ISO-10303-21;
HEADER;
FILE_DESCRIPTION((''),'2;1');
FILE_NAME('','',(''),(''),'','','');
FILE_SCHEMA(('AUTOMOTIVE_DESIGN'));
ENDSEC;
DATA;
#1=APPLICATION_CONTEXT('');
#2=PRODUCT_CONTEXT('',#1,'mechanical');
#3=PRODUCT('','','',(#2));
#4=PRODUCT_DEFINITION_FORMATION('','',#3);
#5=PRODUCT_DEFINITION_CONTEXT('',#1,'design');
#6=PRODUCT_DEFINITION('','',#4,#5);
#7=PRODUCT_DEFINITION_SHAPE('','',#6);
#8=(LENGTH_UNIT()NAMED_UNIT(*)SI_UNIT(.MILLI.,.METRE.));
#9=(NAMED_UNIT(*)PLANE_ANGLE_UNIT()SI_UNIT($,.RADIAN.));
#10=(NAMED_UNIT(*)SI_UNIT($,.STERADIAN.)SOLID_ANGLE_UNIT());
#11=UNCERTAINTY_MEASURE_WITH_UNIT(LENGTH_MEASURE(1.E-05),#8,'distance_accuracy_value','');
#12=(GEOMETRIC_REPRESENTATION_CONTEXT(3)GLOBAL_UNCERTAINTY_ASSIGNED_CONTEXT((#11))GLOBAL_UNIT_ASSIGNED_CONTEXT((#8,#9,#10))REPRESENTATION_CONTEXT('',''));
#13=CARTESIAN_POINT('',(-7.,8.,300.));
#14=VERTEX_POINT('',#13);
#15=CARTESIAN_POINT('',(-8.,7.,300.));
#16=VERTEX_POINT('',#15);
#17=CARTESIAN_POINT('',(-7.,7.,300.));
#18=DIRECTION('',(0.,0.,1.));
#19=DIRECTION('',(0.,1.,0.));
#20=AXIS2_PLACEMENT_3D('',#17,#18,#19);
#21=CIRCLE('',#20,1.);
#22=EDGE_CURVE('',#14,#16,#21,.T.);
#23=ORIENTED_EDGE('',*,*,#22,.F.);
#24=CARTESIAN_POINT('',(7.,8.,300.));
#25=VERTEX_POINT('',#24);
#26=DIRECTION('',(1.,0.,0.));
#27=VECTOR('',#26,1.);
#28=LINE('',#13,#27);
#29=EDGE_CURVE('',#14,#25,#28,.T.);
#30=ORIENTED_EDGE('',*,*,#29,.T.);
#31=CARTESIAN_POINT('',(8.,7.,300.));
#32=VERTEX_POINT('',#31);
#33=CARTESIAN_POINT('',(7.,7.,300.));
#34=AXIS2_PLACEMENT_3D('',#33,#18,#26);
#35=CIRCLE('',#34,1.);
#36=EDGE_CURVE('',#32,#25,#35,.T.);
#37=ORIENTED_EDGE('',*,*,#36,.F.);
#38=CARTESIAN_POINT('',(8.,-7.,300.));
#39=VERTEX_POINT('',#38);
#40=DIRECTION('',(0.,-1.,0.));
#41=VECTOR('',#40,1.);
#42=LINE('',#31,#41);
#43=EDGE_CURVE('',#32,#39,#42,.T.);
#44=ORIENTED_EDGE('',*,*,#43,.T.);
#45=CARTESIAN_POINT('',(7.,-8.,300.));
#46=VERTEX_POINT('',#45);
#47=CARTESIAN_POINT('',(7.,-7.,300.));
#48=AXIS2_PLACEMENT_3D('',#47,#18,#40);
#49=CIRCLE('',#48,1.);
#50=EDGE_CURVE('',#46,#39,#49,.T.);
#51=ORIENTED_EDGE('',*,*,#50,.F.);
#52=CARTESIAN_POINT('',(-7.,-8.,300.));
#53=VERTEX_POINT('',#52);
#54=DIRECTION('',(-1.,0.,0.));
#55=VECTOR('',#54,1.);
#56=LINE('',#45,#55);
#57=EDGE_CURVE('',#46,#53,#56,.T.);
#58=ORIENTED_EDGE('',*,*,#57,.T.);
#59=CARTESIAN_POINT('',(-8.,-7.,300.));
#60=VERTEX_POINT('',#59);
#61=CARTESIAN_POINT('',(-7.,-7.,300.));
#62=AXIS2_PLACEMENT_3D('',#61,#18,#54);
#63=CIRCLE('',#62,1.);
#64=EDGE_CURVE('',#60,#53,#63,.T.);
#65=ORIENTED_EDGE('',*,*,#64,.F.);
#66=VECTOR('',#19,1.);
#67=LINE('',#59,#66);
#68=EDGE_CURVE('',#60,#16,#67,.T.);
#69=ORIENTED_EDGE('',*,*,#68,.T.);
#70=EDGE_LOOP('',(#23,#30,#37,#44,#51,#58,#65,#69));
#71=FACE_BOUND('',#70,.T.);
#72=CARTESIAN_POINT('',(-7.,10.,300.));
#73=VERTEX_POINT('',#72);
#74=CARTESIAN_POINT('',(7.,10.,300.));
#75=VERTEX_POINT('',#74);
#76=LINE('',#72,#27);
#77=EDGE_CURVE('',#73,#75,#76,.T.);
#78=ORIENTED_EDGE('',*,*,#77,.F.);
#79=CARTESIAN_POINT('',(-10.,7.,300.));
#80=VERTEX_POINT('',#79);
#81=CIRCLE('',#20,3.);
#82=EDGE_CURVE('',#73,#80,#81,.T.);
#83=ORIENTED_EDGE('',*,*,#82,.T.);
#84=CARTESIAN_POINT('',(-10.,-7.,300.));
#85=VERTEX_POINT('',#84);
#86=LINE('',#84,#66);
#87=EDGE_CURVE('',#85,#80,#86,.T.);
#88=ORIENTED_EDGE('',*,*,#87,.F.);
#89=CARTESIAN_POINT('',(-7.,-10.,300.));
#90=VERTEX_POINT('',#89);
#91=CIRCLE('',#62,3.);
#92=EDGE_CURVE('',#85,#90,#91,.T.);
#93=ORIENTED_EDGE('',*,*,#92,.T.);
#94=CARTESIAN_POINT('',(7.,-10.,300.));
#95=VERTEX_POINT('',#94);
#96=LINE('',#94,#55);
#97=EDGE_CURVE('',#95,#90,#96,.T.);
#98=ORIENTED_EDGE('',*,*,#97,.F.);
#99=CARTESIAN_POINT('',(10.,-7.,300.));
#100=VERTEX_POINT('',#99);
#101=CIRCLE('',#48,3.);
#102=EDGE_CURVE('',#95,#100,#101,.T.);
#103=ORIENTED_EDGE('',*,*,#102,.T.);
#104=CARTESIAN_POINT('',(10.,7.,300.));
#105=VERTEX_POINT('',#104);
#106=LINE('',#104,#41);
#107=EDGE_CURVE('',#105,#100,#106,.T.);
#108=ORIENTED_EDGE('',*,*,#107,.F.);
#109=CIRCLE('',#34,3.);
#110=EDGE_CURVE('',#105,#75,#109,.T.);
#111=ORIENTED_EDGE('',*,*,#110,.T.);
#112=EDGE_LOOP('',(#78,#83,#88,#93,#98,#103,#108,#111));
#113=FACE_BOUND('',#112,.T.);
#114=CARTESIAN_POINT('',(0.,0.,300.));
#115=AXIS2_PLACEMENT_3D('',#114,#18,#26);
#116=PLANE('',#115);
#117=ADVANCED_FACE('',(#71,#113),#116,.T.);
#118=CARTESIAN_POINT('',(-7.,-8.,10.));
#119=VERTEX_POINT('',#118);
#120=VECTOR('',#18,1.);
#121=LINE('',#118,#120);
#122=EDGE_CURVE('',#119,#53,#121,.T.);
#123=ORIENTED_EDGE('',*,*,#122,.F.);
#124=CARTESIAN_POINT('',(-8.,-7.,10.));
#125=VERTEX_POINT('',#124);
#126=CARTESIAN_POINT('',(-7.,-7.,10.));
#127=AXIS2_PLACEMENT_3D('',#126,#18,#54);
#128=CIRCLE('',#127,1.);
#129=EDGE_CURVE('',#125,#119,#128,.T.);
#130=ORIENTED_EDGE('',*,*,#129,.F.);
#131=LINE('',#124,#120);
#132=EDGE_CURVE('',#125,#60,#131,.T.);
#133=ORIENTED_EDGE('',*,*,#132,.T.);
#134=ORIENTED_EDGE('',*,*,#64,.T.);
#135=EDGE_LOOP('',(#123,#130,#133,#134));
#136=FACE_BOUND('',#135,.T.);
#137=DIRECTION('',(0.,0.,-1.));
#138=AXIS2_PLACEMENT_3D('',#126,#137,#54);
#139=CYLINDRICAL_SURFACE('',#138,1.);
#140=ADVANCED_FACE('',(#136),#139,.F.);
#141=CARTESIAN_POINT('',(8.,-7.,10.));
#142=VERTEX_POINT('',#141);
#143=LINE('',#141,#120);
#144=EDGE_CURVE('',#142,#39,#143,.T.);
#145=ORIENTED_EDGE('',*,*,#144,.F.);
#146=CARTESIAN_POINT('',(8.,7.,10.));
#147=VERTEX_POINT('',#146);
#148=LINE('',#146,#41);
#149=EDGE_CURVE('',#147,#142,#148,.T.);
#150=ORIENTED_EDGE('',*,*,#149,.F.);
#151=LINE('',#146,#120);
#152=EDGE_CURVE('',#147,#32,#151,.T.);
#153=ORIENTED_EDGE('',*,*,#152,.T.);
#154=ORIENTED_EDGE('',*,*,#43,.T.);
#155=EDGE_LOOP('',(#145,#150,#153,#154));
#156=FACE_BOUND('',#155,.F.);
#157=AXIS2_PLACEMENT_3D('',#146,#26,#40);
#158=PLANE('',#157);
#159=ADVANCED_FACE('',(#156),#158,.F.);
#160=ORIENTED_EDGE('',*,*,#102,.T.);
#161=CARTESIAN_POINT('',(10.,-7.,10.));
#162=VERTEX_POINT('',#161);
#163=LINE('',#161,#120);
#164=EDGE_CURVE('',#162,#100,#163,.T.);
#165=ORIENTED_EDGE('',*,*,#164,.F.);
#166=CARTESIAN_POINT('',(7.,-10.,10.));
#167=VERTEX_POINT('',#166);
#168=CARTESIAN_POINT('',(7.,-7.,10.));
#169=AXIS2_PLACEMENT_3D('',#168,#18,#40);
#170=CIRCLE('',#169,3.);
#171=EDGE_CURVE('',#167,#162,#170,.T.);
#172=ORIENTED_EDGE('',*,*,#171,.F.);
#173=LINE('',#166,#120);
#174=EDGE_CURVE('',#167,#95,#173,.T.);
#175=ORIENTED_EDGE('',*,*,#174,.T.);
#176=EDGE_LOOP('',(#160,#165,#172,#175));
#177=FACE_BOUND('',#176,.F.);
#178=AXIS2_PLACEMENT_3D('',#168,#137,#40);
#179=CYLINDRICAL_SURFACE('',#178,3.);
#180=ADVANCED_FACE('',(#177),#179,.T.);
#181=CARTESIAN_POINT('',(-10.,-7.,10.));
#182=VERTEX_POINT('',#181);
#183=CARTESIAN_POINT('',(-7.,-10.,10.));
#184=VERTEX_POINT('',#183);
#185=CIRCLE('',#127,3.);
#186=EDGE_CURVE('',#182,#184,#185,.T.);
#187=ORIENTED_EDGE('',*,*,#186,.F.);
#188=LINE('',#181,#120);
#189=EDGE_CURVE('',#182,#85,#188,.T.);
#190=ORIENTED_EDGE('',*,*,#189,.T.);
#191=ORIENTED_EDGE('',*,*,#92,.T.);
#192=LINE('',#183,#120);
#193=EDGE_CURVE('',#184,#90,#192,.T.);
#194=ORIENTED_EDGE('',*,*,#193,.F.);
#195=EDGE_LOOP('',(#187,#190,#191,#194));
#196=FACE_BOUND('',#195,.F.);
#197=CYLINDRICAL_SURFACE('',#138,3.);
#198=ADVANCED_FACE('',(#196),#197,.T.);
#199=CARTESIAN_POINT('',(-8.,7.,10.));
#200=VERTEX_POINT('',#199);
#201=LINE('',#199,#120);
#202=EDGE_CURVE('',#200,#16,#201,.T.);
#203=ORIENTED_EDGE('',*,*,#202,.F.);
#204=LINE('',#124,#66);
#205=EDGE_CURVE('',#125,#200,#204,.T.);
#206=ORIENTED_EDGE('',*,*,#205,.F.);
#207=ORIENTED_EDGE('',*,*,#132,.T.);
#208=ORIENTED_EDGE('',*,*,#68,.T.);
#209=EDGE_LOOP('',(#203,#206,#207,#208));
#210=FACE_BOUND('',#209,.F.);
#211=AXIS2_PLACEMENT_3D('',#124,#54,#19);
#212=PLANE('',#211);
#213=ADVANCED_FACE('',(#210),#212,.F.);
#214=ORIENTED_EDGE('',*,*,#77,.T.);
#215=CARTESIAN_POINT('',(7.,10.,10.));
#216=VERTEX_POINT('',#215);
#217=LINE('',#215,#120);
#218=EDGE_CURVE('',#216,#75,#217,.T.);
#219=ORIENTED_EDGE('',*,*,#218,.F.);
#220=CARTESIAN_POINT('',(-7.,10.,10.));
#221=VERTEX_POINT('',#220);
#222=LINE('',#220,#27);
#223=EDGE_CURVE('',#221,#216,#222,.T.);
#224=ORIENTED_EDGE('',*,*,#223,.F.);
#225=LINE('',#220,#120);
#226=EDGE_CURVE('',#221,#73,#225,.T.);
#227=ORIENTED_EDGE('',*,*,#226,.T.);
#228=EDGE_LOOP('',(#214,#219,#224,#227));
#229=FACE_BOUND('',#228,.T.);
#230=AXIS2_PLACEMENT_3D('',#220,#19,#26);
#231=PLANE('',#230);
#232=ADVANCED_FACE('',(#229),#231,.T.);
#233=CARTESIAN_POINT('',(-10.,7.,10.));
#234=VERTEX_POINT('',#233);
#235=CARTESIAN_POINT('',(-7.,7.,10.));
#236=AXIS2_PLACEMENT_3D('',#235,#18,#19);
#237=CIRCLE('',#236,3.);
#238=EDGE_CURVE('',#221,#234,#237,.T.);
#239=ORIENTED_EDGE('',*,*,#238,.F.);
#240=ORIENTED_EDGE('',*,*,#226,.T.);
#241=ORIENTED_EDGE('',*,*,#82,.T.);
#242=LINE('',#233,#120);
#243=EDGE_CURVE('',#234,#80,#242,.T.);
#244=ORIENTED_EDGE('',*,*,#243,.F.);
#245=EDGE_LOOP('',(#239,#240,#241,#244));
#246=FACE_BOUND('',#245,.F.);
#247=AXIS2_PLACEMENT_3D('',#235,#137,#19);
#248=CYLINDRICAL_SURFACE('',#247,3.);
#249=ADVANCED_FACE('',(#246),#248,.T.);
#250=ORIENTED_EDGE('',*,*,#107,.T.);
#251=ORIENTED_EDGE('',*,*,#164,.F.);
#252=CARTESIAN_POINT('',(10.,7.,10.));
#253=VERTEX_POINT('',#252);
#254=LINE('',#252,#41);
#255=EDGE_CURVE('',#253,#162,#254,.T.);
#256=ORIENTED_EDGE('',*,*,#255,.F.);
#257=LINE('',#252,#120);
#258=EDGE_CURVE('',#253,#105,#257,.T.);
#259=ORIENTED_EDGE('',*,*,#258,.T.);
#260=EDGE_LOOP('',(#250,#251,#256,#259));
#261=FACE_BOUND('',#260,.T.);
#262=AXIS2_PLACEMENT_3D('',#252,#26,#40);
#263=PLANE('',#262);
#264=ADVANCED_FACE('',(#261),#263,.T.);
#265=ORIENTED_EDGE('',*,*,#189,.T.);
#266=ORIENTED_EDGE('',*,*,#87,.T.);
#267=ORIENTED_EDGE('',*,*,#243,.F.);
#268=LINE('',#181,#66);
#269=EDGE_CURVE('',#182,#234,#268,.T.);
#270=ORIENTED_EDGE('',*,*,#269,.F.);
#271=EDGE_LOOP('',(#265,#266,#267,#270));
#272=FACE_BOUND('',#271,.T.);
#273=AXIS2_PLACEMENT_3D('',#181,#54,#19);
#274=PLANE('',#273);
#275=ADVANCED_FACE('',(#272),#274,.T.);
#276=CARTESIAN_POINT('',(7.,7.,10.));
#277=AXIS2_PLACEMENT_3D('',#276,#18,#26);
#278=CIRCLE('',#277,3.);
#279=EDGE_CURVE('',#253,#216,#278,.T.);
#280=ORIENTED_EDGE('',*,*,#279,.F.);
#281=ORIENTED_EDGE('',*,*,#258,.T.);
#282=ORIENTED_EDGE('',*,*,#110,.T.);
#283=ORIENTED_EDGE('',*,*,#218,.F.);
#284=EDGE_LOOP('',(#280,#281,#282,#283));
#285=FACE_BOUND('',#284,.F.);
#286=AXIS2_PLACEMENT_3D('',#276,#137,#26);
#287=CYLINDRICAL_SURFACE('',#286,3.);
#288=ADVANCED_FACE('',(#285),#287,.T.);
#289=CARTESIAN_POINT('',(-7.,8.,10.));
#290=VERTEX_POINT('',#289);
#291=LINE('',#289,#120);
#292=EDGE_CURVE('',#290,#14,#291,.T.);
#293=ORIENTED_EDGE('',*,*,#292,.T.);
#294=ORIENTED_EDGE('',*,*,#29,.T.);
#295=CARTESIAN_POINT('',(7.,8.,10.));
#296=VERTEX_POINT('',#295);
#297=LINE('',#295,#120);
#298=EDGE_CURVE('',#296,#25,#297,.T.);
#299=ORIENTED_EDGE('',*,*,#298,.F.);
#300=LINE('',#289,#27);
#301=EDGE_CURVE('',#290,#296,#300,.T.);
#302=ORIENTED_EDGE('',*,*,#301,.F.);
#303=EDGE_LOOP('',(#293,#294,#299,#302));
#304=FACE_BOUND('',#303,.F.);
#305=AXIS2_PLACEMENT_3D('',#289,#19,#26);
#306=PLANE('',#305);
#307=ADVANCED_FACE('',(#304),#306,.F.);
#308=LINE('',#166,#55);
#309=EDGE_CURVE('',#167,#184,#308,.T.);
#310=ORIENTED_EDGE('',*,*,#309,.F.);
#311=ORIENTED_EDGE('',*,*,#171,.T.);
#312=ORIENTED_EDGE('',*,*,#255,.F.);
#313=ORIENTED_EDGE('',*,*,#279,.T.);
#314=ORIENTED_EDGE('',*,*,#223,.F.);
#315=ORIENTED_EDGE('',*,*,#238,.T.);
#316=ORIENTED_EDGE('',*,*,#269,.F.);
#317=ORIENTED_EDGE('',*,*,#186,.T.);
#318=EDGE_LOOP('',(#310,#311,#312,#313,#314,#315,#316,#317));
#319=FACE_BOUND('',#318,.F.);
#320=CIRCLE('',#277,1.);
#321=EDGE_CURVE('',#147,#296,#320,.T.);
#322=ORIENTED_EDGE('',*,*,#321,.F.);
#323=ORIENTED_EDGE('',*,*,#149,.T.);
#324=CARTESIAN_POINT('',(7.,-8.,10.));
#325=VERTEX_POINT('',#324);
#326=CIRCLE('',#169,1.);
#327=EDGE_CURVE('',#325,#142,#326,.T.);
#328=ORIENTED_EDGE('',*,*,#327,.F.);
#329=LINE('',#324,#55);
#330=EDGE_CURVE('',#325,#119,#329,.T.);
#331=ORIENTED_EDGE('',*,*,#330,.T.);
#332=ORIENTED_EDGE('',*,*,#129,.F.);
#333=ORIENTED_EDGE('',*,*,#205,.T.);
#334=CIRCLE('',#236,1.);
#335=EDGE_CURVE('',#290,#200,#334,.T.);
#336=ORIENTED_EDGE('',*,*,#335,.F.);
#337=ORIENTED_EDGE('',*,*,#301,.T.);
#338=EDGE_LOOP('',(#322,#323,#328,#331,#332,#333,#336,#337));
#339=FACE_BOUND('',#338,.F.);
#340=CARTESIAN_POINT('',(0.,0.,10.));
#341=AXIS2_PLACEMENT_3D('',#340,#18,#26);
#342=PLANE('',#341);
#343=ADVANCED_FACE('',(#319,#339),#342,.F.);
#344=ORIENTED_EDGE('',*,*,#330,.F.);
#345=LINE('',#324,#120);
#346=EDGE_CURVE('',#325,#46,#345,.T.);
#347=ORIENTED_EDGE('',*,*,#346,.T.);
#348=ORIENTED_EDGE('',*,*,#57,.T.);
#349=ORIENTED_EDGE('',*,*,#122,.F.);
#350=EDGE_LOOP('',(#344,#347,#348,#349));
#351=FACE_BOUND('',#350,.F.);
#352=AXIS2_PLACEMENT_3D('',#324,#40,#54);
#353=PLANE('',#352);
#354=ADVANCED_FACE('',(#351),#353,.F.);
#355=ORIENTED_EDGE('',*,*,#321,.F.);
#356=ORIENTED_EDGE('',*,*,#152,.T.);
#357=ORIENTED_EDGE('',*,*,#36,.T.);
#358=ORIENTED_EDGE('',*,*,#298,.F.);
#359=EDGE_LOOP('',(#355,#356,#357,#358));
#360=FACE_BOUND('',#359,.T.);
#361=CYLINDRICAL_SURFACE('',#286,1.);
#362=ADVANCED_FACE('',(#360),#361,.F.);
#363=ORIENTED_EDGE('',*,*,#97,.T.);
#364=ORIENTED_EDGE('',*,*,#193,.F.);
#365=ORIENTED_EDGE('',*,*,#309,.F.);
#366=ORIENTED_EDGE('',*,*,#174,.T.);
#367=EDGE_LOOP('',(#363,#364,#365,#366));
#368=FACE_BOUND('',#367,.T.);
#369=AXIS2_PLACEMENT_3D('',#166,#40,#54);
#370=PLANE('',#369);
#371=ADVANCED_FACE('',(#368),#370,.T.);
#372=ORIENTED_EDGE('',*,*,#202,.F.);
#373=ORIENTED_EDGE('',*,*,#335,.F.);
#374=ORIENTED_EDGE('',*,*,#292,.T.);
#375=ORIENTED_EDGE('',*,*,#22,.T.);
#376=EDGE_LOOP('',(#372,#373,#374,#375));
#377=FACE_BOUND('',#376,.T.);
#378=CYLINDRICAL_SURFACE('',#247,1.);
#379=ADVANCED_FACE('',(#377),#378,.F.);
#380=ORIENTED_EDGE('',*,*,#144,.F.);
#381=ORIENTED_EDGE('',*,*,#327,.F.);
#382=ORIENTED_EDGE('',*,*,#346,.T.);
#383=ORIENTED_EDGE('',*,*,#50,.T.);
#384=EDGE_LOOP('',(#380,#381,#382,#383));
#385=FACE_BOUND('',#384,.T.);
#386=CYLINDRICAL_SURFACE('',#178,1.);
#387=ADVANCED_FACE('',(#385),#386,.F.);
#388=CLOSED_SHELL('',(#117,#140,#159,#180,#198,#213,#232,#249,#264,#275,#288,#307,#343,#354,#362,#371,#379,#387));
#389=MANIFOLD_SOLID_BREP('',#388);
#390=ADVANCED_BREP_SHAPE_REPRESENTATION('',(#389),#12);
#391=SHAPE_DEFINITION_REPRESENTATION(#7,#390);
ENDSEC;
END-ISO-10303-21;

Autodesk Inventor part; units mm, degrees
ref_plane "Start Plane" through (0, 0, 10) normal (0, 0, 1) x (1, 0, 0)
ref_plane "End Plane" through (0, 0, 300) normal (0, 0, 1) x (1, 0, 0)
sketch "Sketch" plane through (0, 0, 0) normal (0, 0, 1) x (1, 0, 0)
  line L0 (-10, -7) -> (-10, 7)
  line L1 (-7, 10) -> (7, 10)
  line L2 (10, 7) -> (10, -7)
  line L3 (7, -10) -> (-7, -10)
  arc A0 (-10, -7) -> (-7, -10) centre (-7, -7) ccw
  arc A1 (-7, 10) -> (-10, 7) centre (-7, 7) ccw
  arc A2 (10, 7) -> (7, 10) centre (7, 7) ccw
  arc A3 (7, -10) -> (10, -7) centre (7, -7) ccw
  arc A4 (-7, 8) -> (-8, 7) centre (-7, 7) ccw
  line L4 (-7, 8) -> (7, 8)
  arc A5 (8, 7) -> (7, 8) centre (7, 7) ccw
  line L5 (8, 7) -> (8, -7)
  arc A6 (7, -8) -> (8, -7) centre (7, -7) ccw
  line L6 (7, -8) -> (-7, -8)
  arc A7 (-8, -7) -> (-7, -8) centre (-7, -7) ccw
  line L7 (-8, -7) -> (-8, 7)
  line L8 (0, 14.8698) -> (0, -14.8698) construction
  line L9 (-14.8698, 0) -> (14.8698, 0) construction
  dimension "d7" = 3
  dimension "d10" = 20
  dimension "d11" = 20
  dimension "d12" = 2
  dimension "d15" = 10
  dimension "d16" = 10
extrude "Body" add sketch "Sketch" along normal up to surface (290 mm away) from surface at 10
sketch "Sketch3" plane through (0, 0, 0) normal (0, 0, 1) x (1, 0, 0)
  line L0 (0, 0) -> (10, 0)
ref_plane "Work Plane3" through (0, 0, 0) normal (0, -1, 0) x (1, 0, 0)
sketch "Sketch4" plane through (0, 0, 0) normal (0, -1, 0) x (1, 0, 0)
  line L0 (-2, 10) -> (12, 10)
  line L1 (-2, 300) -> (12, 300)
  dimension "d18" = 290
ref_plane "Work Plane4" through (155, -7, 300) normal (0, 0, 1) x (1, 0, 0)
split "Split1" plane through (155, -7, 300) removes the side toward (0, 0, 1)
ref_plane "Work Plane5" through (-75, -7, 10) normal (0, 0, -1) x (-1, 0, 0)
split "Split2" plane through (-75, -7, 10) removes the side toward (0, 0, -1)
equation "\"d7\" = G_IR"
equation "\"d10\" = G_H"
equation "\"d11\" = G_W"
equation "\"d12\" = G_T"
equation "\"d15\" = 0.5 * d10"
equation "\"d16\" = 0.5 * d11"
equation "\"d3\" = G_L"
equation "\"G_W\" = 20"
equation "\"G_H\" = 20"
equation "\"G_T\" = 2"
equation "\"G_IR\" = 3"
equation "\"G_L\" = d18"
properties part number "ISO 12633-2 - 20x20x2 - 290" material "Steel, Mild"
